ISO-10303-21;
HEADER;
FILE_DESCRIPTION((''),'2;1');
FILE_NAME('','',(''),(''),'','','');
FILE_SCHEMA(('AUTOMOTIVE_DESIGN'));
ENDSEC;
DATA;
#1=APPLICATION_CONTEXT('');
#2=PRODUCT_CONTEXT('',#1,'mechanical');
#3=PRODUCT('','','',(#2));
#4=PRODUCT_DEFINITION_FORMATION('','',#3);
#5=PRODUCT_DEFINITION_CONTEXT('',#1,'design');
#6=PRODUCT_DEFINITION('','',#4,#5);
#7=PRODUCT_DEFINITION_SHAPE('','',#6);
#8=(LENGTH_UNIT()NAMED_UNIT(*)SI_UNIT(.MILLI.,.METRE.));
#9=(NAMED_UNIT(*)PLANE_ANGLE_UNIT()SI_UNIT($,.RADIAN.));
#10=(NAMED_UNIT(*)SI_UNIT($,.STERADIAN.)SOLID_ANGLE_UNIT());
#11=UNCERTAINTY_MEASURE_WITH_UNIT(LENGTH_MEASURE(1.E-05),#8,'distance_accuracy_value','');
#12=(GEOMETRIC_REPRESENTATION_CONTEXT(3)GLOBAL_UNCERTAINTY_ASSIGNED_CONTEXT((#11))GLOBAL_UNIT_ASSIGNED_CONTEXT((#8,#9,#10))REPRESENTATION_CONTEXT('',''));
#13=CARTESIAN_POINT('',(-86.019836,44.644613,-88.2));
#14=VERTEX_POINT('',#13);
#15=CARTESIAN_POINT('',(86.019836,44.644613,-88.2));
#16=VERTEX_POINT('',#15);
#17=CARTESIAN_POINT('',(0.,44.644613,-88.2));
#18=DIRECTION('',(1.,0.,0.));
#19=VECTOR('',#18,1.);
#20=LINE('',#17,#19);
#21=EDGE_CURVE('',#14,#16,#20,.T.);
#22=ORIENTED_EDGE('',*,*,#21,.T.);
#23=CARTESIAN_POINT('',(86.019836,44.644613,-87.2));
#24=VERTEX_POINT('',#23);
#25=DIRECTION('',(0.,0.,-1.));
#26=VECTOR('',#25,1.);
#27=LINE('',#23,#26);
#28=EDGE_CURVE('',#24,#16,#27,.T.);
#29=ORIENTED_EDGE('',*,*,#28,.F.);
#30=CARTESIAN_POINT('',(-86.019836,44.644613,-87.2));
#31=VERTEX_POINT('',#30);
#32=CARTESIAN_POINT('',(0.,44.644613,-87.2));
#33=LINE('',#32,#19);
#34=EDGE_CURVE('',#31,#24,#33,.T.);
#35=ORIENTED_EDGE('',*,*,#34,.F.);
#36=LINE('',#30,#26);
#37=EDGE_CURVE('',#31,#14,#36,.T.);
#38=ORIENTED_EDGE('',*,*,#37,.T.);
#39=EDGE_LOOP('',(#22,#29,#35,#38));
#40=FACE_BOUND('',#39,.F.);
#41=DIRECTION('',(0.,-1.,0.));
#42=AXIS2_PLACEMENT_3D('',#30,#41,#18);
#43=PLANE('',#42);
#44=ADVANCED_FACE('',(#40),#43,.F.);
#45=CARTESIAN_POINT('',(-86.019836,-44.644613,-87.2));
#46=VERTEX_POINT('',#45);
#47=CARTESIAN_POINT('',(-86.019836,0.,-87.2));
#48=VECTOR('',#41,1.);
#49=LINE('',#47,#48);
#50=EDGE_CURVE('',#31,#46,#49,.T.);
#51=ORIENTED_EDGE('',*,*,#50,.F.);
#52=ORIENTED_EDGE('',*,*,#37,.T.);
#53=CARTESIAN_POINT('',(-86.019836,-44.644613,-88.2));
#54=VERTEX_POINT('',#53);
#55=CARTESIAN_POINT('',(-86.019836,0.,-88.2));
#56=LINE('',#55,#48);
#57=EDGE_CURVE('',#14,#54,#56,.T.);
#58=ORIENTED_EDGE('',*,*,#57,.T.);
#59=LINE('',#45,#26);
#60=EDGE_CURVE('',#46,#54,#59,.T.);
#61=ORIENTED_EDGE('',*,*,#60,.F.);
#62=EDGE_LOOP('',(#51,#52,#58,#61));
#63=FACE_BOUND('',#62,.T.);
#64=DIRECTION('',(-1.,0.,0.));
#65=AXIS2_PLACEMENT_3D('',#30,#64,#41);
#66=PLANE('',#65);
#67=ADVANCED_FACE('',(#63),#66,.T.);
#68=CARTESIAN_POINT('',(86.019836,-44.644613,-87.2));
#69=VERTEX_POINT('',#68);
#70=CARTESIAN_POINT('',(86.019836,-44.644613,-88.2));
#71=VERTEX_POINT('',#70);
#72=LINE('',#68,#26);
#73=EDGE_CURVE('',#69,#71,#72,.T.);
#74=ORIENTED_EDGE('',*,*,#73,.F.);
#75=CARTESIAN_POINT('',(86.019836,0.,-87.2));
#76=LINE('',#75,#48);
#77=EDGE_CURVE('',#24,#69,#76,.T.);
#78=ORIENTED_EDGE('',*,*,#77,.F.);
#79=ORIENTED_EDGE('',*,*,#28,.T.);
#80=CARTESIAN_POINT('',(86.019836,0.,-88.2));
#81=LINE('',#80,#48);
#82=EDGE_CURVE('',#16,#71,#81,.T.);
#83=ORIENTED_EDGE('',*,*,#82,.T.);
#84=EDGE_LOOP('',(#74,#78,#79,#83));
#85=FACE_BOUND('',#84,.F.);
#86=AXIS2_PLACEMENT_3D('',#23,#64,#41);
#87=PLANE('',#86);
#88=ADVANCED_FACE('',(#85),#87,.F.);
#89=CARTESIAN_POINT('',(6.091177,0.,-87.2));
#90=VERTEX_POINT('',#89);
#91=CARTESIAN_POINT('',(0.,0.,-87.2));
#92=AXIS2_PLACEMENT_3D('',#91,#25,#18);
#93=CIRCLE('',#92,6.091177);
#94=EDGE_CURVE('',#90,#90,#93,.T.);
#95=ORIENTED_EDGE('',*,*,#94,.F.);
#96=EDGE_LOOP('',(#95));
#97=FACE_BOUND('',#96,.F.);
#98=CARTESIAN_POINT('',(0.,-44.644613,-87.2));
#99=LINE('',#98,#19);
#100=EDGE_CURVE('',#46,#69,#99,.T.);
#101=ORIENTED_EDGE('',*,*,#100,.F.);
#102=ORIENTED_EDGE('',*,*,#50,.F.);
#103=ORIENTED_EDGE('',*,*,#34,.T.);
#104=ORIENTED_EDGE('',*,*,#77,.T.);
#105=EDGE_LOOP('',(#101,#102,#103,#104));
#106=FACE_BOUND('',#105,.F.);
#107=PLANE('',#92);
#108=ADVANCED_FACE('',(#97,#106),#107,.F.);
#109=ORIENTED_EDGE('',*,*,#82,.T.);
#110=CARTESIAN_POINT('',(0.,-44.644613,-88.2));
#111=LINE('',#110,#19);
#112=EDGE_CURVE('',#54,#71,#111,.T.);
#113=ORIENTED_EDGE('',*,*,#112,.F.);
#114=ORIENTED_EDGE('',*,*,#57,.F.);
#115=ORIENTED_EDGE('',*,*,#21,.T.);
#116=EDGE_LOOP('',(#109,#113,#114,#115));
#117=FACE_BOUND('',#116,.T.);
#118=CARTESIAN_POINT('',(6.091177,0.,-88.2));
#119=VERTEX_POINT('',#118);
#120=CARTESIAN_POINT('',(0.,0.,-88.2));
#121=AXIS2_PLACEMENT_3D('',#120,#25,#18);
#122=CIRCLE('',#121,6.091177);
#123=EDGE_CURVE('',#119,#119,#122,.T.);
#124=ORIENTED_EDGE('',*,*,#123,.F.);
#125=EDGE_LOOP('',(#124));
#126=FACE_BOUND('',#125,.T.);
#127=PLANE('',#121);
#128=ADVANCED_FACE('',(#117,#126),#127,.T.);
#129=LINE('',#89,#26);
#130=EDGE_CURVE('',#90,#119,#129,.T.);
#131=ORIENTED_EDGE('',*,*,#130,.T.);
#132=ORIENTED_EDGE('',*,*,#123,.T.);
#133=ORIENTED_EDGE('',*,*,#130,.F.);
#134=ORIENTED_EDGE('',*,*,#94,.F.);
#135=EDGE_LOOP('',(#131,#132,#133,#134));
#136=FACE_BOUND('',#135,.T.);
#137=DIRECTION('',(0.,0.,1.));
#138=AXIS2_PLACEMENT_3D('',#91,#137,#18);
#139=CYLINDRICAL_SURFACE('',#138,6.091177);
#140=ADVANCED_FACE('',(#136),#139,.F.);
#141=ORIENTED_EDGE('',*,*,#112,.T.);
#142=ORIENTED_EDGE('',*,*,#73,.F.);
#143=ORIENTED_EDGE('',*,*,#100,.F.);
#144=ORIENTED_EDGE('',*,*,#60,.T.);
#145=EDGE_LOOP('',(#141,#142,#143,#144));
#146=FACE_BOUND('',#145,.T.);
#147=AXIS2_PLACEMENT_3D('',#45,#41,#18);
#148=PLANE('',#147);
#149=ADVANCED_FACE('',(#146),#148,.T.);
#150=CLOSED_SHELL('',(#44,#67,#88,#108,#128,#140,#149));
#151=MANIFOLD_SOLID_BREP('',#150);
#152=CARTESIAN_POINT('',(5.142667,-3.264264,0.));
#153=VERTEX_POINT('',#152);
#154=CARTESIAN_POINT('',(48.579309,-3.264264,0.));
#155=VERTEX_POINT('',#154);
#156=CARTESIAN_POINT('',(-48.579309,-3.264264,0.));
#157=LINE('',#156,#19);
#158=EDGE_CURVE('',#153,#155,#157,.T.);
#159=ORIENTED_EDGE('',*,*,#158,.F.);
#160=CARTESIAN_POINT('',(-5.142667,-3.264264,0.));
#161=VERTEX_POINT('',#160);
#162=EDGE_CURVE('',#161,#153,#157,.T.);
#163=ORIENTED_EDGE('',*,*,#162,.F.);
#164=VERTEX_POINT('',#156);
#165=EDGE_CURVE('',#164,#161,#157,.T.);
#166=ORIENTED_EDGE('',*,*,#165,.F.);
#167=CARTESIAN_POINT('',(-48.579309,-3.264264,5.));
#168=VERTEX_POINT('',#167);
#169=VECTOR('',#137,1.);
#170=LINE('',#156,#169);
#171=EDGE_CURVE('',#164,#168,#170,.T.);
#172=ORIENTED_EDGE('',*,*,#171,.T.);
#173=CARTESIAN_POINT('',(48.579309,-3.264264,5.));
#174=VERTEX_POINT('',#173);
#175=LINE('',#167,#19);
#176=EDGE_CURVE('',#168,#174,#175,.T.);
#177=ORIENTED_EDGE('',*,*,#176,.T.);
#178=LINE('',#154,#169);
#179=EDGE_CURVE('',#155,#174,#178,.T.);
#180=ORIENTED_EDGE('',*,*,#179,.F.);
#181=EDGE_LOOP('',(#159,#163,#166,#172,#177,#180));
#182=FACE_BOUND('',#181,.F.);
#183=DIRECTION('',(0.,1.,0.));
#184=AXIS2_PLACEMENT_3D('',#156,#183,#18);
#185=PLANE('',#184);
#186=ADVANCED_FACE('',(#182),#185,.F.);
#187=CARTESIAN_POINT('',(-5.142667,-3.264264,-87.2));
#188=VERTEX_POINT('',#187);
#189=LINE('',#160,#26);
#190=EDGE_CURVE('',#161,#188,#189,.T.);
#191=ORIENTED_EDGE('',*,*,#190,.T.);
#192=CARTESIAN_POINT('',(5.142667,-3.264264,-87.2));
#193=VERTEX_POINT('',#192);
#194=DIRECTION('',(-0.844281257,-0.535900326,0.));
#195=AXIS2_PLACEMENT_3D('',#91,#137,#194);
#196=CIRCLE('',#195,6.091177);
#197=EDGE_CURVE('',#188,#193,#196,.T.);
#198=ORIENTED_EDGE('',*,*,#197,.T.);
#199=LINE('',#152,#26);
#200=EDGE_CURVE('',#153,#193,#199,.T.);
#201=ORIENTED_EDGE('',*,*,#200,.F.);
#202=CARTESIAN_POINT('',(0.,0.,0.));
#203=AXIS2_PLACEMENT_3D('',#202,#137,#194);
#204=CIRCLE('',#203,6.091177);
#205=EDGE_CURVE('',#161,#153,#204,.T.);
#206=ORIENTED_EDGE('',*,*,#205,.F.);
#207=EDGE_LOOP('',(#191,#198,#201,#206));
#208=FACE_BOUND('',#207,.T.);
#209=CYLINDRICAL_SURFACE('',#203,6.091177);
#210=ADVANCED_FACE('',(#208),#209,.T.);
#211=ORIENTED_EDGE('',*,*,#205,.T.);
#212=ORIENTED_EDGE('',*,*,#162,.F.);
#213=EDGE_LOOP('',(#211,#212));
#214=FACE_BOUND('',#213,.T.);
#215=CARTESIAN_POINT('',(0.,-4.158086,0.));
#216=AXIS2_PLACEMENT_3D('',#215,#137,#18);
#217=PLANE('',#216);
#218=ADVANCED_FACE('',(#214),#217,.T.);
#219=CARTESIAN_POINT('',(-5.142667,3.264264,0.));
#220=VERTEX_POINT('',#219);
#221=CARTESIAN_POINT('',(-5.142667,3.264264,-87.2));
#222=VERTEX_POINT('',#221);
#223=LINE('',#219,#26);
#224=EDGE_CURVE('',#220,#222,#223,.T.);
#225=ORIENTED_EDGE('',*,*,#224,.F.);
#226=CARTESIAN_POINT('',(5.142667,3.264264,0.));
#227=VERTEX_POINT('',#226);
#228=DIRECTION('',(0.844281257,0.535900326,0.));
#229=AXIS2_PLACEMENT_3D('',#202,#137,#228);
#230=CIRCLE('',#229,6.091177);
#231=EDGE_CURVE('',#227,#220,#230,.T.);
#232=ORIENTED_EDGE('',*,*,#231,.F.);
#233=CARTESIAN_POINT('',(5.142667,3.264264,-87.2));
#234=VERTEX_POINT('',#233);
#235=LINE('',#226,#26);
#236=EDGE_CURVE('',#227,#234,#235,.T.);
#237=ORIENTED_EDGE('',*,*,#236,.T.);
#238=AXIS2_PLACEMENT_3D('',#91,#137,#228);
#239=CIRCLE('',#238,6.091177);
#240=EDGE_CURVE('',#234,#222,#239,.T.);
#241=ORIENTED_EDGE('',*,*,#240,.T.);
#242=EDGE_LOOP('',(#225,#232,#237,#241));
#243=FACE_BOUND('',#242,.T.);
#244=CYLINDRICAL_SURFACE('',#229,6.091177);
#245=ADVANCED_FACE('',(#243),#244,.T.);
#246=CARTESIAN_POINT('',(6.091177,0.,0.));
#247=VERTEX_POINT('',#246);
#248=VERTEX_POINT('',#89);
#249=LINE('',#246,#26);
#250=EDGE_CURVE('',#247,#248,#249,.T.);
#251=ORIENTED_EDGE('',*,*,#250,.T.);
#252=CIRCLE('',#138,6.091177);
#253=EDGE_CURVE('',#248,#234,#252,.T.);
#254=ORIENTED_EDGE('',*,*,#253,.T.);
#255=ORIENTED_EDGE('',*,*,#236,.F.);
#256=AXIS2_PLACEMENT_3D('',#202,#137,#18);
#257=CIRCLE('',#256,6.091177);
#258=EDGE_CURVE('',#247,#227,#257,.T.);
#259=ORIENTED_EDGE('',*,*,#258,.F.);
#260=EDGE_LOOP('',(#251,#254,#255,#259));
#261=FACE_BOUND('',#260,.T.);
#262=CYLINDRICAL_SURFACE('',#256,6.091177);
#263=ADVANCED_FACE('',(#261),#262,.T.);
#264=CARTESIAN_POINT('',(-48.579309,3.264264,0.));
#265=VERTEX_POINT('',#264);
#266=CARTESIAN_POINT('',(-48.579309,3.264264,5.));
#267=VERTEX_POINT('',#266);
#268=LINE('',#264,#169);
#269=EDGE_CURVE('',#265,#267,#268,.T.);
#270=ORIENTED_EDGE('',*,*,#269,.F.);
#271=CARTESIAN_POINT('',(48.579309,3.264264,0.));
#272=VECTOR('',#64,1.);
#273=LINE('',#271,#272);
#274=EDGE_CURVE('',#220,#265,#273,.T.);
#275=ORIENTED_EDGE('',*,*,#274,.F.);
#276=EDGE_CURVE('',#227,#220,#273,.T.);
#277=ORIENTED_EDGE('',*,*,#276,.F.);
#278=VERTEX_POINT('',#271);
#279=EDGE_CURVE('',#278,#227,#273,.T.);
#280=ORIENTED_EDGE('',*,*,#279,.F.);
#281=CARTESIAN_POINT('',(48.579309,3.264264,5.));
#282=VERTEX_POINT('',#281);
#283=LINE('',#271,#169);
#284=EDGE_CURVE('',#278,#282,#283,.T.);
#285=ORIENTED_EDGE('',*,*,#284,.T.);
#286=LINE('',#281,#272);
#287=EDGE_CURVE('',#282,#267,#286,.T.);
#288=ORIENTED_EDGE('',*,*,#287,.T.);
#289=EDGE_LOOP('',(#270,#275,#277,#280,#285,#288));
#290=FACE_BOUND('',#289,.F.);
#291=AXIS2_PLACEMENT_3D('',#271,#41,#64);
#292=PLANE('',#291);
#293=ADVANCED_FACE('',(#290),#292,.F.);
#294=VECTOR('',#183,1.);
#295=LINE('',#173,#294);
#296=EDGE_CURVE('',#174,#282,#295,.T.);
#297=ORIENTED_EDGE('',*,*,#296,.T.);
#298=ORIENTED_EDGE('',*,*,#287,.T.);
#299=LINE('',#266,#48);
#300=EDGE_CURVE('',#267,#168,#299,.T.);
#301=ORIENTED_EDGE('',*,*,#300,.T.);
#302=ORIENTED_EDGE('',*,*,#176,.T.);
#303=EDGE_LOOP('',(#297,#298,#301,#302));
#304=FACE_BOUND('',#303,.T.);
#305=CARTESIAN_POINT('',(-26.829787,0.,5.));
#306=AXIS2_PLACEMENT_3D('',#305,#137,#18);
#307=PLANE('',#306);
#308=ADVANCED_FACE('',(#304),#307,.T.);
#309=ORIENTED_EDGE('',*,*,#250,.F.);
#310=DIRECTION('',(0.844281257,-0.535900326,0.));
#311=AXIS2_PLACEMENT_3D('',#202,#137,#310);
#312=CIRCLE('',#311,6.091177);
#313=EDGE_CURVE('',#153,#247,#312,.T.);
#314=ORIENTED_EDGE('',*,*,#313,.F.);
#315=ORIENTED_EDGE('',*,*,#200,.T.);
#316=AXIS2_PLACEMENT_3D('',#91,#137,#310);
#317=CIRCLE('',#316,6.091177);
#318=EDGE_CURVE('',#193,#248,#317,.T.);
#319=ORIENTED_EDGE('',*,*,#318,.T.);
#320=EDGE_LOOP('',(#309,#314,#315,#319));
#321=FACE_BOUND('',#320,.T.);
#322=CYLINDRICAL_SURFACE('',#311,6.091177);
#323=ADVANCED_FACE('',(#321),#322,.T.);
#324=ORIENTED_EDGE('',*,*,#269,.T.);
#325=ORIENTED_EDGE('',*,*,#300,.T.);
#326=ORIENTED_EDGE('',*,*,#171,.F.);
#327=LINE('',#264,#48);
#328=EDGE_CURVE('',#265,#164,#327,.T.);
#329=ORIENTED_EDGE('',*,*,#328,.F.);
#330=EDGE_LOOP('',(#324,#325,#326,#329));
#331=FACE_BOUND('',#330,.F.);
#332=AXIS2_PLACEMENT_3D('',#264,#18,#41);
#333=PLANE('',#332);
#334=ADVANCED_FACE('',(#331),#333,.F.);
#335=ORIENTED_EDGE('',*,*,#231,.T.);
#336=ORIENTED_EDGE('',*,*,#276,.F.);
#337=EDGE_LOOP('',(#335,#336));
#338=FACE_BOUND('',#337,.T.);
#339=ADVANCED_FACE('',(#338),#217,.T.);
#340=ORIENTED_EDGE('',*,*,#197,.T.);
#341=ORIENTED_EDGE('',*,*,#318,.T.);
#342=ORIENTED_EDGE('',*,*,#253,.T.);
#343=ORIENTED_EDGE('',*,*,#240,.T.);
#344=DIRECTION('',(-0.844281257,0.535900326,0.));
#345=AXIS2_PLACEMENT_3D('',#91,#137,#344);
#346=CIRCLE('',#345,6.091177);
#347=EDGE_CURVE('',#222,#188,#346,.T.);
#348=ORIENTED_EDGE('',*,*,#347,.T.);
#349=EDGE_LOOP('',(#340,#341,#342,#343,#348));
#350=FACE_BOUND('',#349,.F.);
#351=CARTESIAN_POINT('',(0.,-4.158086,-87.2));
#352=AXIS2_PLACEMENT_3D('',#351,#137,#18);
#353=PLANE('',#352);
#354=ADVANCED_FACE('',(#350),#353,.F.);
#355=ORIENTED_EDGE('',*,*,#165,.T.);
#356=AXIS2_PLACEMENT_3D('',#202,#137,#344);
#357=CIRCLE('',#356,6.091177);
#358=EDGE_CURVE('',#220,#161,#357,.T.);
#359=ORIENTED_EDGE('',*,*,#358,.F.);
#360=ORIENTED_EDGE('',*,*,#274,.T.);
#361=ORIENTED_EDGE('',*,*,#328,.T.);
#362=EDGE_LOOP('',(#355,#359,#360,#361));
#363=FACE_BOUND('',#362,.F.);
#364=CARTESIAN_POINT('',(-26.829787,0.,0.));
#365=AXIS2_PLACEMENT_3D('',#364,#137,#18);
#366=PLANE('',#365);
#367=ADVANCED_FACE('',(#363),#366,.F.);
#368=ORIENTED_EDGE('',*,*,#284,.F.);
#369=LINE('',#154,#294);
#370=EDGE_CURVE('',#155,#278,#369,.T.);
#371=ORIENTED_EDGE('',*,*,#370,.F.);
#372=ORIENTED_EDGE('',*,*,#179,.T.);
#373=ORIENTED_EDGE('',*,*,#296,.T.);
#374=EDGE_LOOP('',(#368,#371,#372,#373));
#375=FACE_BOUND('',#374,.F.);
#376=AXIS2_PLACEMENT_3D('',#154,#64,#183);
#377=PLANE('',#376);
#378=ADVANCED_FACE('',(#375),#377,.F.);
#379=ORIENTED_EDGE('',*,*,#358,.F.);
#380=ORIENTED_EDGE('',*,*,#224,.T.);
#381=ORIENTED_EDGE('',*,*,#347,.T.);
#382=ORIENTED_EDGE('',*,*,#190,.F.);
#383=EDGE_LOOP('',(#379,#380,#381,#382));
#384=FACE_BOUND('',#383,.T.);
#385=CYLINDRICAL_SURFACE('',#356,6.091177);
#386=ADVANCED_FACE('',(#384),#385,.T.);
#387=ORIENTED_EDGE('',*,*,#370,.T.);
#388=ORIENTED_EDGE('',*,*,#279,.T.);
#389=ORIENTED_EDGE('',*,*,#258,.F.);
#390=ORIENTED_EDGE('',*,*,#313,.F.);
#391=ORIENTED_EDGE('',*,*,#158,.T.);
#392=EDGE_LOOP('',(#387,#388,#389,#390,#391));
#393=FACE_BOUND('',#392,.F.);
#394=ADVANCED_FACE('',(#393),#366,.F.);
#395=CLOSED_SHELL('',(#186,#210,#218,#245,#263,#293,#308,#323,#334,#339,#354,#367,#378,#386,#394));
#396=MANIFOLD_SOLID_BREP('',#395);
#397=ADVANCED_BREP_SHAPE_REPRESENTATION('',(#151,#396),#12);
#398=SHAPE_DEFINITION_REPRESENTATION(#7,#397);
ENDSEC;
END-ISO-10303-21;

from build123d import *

# Parameters (mm, degrees)
F1_DEPTH = 5
F2_DEPTH = 87.2
F3_W     = 172.0396727324
F3_H     = 89.2892256379
F3_R     = 6.0911774304
F4_DEPTH = 1


with BuildPart() as f1:
    # F0 (on Top) → F1 (new body)
    with BuildSketch(Plane.XY):
        with BuildLine():
            Line((-48.5793091357, -3.2642639708), (-5.1426669363, -3.2642639708))
            ThreePointArc((-5.1426669363, -3.2642639708), (-6.0911774304, 0), (-5.1426669363, 3.2642639708))
            Line((-5.1426669363, 3.2642639708), (-48.5793091357, 3.2642639708))
            Line((-48.5793091357, 3.2642639708), (-48.5793091357, -3.2642639708))
        make_face()
        with BuildLine():
            Line((-5.1426669363, -3.2642639708), (5.1426669363, -3.2642639708))
            ThreePointArc((5.1426669363, -3.2642639708), (5.8492452189, -1.6996390373), (6.0911774304, 0))
            ThreePointArc((6.0911774304, 0), (5.8492452189, 1.6996390373), (5.1426669363, 3.2642639708))
            Line((5.1426669363, 3.2642639708), (-5.1426669363, 3.2642639708))
            ThreePointArc((-5.1426669363, 3.2642639708), (-6.0911774304, 0), (-5.1426669363, -3.2642639708))
        make_face()
        with BuildLine():
            Line((5.1426669363, -3.2642639708), (48.5793091357, -3.2642639708))
            Line((48.5793091357, -3.2642639708), (48.5793091357, 3.2642639708))
            Line((48.5793091357, 3.2642639708), (5.1426669363, 3.2642639708))
            ThreePointArc((5.1426669363, 3.2642639708), (5.8492452189, 1.6996390373), (6.0911774304, 0))
            ThreePointArc((6.0911774304, 0), (5.8492452189, -1.6996390373), (5.1426669363, -3.2642639708))
        make_face()
    extrude(amount=F1_DEPTH)

    # F0 (on Top) → F2 (join)
    with BuildSketch(Plane.XY):
        with BuildLine():
            ThreePointArc((-5.1426669363, -3.2642639708), (0, -6.0911774304), (5.1426669363, -3.2642639708))
            Line((5.1426669363, -3.2642639708), (-5.1426669363, -3.2642639708))
        make_face()
        with BuildLine():
            Line((-5.1426669363, 3.2642639708), (5.1426669363, 3.2642639708))
            ThreePointArc((5.1426669363, 3.2642639708), (0, 6.0911774304), (-5.1426669363, 3.2642639708))
        make_face()
        with BuildLine():
            Line((-5.1426669363, -3.2642639708), (5.1426669363, -3.2642639708))
            ThreePointArc((5.1426669363, -3.2642639708), (5.8492452189, -1.6996390373), (6.0911774304, 0))
            ThreePointArc((6.0911774304, 0), (5.8492452189, 1.6996390373), (5.1426669363, 3.2642639708))
            Line((5.1426669363, 3.2642639708), (-5.1426669363, 3.2642639708))
            ThreePointArc((-5.1426669363, 3.2642639708), (-6.0911774304, 0), (-5.1426669363, -3.2642639708))
        make_face()
    extrude(amount=-F2_DEPTH)


with BuildPart() as f4:
    # F3 (on face) → F4 (new body)
    with BuildSketch(Plane(origin=(0, 0, -87.2), x_dir=(1, 0, 0), z_dir=(0, 0, -1))):
        Rectangle(F3_W, F3_H)
        Circle(F3_R, mode=Mode.SUBTRACT)
    extrude(amount=F4_DEPTH)


solid = Compound([f1.part, f4.part])
